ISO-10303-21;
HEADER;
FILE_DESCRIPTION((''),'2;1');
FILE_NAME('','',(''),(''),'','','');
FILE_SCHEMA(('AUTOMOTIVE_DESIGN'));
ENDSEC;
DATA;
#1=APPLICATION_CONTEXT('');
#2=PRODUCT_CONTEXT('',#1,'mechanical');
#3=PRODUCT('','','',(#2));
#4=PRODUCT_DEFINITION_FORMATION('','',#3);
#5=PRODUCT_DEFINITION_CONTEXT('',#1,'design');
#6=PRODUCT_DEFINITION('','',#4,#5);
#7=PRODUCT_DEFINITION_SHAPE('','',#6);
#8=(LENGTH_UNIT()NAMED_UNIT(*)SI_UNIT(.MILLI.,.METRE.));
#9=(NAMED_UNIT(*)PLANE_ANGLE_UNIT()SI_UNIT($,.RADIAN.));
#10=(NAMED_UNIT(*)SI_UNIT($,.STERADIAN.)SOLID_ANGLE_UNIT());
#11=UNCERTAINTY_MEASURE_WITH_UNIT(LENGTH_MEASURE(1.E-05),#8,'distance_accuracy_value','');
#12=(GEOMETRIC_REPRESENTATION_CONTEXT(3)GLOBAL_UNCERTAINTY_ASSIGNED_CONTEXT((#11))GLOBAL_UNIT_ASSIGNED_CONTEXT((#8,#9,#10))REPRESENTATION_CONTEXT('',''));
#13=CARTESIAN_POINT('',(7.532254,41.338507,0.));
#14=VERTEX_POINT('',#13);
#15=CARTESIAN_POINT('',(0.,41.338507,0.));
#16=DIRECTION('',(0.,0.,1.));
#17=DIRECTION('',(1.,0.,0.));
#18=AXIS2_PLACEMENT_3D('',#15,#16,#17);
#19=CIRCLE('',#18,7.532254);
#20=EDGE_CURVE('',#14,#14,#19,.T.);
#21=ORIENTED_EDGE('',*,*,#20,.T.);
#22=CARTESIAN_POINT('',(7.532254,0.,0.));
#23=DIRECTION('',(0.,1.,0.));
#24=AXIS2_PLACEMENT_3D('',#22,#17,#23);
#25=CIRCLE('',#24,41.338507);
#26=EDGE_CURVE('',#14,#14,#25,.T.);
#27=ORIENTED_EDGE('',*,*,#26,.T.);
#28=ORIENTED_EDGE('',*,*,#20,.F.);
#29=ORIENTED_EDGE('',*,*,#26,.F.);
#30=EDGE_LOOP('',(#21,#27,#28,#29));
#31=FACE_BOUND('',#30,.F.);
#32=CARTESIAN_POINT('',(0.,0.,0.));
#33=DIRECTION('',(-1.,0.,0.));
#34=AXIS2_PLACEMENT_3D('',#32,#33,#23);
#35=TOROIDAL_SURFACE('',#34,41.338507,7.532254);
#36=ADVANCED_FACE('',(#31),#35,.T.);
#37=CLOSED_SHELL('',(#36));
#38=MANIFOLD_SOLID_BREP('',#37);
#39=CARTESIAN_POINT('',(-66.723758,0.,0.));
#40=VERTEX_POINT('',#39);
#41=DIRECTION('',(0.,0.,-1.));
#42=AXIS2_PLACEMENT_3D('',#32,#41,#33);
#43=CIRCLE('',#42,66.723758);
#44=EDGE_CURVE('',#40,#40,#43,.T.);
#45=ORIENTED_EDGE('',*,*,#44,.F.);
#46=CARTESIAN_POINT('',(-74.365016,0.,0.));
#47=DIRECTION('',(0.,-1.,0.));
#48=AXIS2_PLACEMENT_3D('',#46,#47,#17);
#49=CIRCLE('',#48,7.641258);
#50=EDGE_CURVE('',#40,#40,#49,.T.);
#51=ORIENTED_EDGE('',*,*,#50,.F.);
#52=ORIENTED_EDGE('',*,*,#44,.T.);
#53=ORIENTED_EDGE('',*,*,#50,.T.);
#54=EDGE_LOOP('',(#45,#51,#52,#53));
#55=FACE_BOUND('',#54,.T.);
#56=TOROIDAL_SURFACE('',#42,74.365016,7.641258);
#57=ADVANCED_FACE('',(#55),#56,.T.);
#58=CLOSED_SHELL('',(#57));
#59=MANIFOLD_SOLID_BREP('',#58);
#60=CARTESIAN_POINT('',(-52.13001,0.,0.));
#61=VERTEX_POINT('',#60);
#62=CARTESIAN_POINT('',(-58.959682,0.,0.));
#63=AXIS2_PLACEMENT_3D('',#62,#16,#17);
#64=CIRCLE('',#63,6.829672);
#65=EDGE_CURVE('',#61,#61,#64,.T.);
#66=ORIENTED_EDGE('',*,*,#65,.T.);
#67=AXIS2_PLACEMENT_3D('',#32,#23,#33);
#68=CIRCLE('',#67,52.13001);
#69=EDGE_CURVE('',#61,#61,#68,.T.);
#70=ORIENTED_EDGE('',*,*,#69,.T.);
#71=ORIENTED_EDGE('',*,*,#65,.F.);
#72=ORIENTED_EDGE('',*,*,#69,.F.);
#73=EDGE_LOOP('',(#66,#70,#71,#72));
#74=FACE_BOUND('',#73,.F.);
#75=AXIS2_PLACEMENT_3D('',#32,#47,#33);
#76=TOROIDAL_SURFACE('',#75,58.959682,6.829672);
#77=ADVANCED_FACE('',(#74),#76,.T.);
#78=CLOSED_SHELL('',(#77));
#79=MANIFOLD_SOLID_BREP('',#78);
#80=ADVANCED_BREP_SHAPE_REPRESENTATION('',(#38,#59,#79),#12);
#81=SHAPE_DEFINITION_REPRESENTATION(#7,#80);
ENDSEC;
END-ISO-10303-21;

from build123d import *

# Parameters (mm, degrees)
F0_R = 7.641258
F2_R = 6.829672
F4_R = 7.532254


with BuildPart() as f1:
    # F0 (on Front) → F1 (revolve)
    with BuildSketch(Plane.XZ):
        with Locations((-74.365016, 0)):
            Circle(F0_R)
    revolve(axis=Axis((0, 0, -1.255513), (0, 0, -1)))


with BuildPart() as f3:
    # F2 (on Top) → F3 (revolve)
    with BuildSketch(Plane.XY):
        with Locations((-58.959682, 0)):
            Circle(F2_R)
    revolve(axis=Axis((0, -1.696682, 0), (0, 1, 0)))


with BuildPart() as f5:
    # F4 (on Top) → F5 (revolve)
    with BuildSketch(Plane.XY):
        with Locations((0, 41.338507)):
            Circle(F4_R)
    revolve(axis=Axis((0.801145, 0, 0), (1, 0, 0)))


solid = Compound([f1.part, f3.part, f5.part])
